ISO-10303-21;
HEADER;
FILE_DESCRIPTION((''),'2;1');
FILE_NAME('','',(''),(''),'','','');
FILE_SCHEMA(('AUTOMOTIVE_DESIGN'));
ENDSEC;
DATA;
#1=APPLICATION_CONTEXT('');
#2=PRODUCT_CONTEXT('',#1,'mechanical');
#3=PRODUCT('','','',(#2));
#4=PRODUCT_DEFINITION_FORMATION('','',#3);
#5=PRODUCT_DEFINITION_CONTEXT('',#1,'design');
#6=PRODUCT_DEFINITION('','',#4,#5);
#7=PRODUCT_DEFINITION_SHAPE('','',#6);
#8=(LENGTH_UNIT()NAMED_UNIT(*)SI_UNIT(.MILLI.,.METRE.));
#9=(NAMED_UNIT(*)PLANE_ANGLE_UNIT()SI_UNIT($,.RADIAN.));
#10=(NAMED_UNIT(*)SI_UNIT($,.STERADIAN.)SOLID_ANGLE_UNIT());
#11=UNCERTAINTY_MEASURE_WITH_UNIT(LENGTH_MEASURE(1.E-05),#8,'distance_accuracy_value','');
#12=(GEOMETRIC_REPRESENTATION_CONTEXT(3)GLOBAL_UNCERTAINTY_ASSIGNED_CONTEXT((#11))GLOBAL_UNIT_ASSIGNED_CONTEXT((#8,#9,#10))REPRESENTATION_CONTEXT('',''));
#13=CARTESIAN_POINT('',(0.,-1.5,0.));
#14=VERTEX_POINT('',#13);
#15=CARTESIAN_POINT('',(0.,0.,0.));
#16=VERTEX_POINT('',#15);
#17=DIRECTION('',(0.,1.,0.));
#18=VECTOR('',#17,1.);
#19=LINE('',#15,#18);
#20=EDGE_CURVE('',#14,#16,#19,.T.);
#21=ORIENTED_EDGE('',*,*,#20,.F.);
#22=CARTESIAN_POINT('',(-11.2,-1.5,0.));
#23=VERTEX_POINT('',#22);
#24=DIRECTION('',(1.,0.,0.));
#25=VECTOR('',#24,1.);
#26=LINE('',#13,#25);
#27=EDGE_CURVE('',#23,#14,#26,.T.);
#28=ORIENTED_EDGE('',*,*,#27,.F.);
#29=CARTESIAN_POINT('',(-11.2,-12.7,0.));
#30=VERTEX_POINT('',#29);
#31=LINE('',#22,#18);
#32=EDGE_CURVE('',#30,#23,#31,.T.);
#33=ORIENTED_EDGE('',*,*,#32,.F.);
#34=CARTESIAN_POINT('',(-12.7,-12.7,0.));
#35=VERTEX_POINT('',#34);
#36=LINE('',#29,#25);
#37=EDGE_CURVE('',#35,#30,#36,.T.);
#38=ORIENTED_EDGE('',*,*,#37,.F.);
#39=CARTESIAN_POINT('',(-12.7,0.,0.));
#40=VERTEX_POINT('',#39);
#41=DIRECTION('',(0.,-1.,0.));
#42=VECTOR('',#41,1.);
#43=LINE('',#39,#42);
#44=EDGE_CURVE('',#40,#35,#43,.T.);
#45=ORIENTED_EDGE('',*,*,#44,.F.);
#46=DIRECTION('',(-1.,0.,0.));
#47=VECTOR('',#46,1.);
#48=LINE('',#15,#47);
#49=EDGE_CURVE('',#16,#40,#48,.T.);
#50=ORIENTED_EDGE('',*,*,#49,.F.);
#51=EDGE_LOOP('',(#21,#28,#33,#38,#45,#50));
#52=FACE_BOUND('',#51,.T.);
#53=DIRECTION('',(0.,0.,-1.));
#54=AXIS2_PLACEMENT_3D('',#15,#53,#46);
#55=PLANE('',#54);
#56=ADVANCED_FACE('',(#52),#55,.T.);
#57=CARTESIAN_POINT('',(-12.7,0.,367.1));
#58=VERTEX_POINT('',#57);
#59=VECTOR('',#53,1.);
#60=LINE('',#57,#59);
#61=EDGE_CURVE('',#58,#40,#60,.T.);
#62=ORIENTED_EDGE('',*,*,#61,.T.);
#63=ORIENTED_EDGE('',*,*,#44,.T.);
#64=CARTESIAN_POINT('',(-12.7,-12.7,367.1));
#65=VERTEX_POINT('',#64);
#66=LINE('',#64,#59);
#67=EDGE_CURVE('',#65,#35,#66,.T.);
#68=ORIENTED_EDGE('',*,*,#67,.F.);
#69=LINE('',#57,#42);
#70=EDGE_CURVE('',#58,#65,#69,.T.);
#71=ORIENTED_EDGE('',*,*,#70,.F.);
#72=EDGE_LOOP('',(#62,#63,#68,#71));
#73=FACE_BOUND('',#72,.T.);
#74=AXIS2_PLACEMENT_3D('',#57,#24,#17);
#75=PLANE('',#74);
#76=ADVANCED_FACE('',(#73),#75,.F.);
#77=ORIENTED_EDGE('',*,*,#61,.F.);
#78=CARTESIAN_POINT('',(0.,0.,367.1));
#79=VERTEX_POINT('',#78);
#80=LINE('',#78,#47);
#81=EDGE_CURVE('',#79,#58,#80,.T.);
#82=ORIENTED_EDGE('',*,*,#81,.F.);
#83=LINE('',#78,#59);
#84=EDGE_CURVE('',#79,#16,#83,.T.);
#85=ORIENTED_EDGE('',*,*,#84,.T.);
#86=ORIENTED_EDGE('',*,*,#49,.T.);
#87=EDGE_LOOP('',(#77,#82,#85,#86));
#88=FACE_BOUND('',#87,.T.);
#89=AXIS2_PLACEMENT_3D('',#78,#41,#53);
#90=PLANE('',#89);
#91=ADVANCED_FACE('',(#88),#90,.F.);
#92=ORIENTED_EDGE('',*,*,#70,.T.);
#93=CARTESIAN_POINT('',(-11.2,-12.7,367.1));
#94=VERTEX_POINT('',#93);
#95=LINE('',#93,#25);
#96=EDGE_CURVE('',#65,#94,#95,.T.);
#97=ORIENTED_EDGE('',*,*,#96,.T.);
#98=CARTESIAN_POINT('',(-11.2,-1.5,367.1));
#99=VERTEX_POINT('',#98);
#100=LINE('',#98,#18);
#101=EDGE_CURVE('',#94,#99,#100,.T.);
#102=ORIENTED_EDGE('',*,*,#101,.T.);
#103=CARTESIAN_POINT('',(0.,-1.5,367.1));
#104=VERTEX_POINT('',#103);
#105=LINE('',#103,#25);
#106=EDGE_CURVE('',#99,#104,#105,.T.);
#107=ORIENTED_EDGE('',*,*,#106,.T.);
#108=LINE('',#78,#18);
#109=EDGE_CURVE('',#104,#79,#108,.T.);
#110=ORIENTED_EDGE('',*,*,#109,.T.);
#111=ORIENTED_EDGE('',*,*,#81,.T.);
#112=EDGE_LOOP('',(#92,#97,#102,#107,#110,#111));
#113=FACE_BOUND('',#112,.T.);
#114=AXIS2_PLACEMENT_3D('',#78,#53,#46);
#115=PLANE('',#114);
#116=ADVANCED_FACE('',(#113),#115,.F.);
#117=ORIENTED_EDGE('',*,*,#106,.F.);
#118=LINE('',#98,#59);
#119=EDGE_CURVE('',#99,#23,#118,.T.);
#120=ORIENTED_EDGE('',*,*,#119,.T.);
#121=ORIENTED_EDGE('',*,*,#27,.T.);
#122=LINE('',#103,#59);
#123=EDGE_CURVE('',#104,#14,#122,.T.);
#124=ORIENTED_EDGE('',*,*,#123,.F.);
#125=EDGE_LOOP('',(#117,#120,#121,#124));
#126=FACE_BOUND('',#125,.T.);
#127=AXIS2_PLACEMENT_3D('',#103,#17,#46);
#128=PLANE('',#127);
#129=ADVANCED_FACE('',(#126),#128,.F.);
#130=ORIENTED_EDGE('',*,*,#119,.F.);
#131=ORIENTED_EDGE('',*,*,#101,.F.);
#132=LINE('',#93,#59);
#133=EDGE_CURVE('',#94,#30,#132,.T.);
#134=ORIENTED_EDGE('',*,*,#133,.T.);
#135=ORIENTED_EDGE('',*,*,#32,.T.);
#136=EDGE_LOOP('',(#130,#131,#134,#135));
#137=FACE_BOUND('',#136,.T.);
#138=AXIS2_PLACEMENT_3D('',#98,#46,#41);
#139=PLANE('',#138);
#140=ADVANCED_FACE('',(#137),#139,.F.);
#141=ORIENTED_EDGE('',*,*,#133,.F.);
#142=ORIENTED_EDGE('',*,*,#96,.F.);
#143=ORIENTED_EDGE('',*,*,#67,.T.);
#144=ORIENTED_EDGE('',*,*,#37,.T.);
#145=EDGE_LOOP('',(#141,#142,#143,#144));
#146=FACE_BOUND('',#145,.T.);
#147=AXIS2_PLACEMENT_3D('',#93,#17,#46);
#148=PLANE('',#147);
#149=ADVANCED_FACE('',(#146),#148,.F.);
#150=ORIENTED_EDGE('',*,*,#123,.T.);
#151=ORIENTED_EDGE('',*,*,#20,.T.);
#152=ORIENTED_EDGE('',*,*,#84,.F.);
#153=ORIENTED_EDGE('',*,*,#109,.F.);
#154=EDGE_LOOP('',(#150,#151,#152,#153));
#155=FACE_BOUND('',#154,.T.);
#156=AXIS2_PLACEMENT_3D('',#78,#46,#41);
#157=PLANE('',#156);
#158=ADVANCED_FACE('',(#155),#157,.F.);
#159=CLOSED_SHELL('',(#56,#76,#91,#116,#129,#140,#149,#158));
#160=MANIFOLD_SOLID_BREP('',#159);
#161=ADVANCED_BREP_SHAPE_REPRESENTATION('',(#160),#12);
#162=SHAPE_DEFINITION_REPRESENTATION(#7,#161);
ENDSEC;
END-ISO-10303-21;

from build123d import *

# Parameters (mm, degrees)
SALIENTE_EXTRUIR1_DEPTH = 367.1


with BuildPart() as part:
    # Croquis1 → Saliente-Extruir1 (new body)
    with BuildSketch(Plane.XY):
        Polygon((0, -1.5), (-11.2, -1.5), (-11.2, -12.7), (-12.7, -12.7), (-12.7, 0), (0, 0), align=None)
    extrude(amount=SALIENTE_EXTRUIR1_DEPTH)


solid = part.part
